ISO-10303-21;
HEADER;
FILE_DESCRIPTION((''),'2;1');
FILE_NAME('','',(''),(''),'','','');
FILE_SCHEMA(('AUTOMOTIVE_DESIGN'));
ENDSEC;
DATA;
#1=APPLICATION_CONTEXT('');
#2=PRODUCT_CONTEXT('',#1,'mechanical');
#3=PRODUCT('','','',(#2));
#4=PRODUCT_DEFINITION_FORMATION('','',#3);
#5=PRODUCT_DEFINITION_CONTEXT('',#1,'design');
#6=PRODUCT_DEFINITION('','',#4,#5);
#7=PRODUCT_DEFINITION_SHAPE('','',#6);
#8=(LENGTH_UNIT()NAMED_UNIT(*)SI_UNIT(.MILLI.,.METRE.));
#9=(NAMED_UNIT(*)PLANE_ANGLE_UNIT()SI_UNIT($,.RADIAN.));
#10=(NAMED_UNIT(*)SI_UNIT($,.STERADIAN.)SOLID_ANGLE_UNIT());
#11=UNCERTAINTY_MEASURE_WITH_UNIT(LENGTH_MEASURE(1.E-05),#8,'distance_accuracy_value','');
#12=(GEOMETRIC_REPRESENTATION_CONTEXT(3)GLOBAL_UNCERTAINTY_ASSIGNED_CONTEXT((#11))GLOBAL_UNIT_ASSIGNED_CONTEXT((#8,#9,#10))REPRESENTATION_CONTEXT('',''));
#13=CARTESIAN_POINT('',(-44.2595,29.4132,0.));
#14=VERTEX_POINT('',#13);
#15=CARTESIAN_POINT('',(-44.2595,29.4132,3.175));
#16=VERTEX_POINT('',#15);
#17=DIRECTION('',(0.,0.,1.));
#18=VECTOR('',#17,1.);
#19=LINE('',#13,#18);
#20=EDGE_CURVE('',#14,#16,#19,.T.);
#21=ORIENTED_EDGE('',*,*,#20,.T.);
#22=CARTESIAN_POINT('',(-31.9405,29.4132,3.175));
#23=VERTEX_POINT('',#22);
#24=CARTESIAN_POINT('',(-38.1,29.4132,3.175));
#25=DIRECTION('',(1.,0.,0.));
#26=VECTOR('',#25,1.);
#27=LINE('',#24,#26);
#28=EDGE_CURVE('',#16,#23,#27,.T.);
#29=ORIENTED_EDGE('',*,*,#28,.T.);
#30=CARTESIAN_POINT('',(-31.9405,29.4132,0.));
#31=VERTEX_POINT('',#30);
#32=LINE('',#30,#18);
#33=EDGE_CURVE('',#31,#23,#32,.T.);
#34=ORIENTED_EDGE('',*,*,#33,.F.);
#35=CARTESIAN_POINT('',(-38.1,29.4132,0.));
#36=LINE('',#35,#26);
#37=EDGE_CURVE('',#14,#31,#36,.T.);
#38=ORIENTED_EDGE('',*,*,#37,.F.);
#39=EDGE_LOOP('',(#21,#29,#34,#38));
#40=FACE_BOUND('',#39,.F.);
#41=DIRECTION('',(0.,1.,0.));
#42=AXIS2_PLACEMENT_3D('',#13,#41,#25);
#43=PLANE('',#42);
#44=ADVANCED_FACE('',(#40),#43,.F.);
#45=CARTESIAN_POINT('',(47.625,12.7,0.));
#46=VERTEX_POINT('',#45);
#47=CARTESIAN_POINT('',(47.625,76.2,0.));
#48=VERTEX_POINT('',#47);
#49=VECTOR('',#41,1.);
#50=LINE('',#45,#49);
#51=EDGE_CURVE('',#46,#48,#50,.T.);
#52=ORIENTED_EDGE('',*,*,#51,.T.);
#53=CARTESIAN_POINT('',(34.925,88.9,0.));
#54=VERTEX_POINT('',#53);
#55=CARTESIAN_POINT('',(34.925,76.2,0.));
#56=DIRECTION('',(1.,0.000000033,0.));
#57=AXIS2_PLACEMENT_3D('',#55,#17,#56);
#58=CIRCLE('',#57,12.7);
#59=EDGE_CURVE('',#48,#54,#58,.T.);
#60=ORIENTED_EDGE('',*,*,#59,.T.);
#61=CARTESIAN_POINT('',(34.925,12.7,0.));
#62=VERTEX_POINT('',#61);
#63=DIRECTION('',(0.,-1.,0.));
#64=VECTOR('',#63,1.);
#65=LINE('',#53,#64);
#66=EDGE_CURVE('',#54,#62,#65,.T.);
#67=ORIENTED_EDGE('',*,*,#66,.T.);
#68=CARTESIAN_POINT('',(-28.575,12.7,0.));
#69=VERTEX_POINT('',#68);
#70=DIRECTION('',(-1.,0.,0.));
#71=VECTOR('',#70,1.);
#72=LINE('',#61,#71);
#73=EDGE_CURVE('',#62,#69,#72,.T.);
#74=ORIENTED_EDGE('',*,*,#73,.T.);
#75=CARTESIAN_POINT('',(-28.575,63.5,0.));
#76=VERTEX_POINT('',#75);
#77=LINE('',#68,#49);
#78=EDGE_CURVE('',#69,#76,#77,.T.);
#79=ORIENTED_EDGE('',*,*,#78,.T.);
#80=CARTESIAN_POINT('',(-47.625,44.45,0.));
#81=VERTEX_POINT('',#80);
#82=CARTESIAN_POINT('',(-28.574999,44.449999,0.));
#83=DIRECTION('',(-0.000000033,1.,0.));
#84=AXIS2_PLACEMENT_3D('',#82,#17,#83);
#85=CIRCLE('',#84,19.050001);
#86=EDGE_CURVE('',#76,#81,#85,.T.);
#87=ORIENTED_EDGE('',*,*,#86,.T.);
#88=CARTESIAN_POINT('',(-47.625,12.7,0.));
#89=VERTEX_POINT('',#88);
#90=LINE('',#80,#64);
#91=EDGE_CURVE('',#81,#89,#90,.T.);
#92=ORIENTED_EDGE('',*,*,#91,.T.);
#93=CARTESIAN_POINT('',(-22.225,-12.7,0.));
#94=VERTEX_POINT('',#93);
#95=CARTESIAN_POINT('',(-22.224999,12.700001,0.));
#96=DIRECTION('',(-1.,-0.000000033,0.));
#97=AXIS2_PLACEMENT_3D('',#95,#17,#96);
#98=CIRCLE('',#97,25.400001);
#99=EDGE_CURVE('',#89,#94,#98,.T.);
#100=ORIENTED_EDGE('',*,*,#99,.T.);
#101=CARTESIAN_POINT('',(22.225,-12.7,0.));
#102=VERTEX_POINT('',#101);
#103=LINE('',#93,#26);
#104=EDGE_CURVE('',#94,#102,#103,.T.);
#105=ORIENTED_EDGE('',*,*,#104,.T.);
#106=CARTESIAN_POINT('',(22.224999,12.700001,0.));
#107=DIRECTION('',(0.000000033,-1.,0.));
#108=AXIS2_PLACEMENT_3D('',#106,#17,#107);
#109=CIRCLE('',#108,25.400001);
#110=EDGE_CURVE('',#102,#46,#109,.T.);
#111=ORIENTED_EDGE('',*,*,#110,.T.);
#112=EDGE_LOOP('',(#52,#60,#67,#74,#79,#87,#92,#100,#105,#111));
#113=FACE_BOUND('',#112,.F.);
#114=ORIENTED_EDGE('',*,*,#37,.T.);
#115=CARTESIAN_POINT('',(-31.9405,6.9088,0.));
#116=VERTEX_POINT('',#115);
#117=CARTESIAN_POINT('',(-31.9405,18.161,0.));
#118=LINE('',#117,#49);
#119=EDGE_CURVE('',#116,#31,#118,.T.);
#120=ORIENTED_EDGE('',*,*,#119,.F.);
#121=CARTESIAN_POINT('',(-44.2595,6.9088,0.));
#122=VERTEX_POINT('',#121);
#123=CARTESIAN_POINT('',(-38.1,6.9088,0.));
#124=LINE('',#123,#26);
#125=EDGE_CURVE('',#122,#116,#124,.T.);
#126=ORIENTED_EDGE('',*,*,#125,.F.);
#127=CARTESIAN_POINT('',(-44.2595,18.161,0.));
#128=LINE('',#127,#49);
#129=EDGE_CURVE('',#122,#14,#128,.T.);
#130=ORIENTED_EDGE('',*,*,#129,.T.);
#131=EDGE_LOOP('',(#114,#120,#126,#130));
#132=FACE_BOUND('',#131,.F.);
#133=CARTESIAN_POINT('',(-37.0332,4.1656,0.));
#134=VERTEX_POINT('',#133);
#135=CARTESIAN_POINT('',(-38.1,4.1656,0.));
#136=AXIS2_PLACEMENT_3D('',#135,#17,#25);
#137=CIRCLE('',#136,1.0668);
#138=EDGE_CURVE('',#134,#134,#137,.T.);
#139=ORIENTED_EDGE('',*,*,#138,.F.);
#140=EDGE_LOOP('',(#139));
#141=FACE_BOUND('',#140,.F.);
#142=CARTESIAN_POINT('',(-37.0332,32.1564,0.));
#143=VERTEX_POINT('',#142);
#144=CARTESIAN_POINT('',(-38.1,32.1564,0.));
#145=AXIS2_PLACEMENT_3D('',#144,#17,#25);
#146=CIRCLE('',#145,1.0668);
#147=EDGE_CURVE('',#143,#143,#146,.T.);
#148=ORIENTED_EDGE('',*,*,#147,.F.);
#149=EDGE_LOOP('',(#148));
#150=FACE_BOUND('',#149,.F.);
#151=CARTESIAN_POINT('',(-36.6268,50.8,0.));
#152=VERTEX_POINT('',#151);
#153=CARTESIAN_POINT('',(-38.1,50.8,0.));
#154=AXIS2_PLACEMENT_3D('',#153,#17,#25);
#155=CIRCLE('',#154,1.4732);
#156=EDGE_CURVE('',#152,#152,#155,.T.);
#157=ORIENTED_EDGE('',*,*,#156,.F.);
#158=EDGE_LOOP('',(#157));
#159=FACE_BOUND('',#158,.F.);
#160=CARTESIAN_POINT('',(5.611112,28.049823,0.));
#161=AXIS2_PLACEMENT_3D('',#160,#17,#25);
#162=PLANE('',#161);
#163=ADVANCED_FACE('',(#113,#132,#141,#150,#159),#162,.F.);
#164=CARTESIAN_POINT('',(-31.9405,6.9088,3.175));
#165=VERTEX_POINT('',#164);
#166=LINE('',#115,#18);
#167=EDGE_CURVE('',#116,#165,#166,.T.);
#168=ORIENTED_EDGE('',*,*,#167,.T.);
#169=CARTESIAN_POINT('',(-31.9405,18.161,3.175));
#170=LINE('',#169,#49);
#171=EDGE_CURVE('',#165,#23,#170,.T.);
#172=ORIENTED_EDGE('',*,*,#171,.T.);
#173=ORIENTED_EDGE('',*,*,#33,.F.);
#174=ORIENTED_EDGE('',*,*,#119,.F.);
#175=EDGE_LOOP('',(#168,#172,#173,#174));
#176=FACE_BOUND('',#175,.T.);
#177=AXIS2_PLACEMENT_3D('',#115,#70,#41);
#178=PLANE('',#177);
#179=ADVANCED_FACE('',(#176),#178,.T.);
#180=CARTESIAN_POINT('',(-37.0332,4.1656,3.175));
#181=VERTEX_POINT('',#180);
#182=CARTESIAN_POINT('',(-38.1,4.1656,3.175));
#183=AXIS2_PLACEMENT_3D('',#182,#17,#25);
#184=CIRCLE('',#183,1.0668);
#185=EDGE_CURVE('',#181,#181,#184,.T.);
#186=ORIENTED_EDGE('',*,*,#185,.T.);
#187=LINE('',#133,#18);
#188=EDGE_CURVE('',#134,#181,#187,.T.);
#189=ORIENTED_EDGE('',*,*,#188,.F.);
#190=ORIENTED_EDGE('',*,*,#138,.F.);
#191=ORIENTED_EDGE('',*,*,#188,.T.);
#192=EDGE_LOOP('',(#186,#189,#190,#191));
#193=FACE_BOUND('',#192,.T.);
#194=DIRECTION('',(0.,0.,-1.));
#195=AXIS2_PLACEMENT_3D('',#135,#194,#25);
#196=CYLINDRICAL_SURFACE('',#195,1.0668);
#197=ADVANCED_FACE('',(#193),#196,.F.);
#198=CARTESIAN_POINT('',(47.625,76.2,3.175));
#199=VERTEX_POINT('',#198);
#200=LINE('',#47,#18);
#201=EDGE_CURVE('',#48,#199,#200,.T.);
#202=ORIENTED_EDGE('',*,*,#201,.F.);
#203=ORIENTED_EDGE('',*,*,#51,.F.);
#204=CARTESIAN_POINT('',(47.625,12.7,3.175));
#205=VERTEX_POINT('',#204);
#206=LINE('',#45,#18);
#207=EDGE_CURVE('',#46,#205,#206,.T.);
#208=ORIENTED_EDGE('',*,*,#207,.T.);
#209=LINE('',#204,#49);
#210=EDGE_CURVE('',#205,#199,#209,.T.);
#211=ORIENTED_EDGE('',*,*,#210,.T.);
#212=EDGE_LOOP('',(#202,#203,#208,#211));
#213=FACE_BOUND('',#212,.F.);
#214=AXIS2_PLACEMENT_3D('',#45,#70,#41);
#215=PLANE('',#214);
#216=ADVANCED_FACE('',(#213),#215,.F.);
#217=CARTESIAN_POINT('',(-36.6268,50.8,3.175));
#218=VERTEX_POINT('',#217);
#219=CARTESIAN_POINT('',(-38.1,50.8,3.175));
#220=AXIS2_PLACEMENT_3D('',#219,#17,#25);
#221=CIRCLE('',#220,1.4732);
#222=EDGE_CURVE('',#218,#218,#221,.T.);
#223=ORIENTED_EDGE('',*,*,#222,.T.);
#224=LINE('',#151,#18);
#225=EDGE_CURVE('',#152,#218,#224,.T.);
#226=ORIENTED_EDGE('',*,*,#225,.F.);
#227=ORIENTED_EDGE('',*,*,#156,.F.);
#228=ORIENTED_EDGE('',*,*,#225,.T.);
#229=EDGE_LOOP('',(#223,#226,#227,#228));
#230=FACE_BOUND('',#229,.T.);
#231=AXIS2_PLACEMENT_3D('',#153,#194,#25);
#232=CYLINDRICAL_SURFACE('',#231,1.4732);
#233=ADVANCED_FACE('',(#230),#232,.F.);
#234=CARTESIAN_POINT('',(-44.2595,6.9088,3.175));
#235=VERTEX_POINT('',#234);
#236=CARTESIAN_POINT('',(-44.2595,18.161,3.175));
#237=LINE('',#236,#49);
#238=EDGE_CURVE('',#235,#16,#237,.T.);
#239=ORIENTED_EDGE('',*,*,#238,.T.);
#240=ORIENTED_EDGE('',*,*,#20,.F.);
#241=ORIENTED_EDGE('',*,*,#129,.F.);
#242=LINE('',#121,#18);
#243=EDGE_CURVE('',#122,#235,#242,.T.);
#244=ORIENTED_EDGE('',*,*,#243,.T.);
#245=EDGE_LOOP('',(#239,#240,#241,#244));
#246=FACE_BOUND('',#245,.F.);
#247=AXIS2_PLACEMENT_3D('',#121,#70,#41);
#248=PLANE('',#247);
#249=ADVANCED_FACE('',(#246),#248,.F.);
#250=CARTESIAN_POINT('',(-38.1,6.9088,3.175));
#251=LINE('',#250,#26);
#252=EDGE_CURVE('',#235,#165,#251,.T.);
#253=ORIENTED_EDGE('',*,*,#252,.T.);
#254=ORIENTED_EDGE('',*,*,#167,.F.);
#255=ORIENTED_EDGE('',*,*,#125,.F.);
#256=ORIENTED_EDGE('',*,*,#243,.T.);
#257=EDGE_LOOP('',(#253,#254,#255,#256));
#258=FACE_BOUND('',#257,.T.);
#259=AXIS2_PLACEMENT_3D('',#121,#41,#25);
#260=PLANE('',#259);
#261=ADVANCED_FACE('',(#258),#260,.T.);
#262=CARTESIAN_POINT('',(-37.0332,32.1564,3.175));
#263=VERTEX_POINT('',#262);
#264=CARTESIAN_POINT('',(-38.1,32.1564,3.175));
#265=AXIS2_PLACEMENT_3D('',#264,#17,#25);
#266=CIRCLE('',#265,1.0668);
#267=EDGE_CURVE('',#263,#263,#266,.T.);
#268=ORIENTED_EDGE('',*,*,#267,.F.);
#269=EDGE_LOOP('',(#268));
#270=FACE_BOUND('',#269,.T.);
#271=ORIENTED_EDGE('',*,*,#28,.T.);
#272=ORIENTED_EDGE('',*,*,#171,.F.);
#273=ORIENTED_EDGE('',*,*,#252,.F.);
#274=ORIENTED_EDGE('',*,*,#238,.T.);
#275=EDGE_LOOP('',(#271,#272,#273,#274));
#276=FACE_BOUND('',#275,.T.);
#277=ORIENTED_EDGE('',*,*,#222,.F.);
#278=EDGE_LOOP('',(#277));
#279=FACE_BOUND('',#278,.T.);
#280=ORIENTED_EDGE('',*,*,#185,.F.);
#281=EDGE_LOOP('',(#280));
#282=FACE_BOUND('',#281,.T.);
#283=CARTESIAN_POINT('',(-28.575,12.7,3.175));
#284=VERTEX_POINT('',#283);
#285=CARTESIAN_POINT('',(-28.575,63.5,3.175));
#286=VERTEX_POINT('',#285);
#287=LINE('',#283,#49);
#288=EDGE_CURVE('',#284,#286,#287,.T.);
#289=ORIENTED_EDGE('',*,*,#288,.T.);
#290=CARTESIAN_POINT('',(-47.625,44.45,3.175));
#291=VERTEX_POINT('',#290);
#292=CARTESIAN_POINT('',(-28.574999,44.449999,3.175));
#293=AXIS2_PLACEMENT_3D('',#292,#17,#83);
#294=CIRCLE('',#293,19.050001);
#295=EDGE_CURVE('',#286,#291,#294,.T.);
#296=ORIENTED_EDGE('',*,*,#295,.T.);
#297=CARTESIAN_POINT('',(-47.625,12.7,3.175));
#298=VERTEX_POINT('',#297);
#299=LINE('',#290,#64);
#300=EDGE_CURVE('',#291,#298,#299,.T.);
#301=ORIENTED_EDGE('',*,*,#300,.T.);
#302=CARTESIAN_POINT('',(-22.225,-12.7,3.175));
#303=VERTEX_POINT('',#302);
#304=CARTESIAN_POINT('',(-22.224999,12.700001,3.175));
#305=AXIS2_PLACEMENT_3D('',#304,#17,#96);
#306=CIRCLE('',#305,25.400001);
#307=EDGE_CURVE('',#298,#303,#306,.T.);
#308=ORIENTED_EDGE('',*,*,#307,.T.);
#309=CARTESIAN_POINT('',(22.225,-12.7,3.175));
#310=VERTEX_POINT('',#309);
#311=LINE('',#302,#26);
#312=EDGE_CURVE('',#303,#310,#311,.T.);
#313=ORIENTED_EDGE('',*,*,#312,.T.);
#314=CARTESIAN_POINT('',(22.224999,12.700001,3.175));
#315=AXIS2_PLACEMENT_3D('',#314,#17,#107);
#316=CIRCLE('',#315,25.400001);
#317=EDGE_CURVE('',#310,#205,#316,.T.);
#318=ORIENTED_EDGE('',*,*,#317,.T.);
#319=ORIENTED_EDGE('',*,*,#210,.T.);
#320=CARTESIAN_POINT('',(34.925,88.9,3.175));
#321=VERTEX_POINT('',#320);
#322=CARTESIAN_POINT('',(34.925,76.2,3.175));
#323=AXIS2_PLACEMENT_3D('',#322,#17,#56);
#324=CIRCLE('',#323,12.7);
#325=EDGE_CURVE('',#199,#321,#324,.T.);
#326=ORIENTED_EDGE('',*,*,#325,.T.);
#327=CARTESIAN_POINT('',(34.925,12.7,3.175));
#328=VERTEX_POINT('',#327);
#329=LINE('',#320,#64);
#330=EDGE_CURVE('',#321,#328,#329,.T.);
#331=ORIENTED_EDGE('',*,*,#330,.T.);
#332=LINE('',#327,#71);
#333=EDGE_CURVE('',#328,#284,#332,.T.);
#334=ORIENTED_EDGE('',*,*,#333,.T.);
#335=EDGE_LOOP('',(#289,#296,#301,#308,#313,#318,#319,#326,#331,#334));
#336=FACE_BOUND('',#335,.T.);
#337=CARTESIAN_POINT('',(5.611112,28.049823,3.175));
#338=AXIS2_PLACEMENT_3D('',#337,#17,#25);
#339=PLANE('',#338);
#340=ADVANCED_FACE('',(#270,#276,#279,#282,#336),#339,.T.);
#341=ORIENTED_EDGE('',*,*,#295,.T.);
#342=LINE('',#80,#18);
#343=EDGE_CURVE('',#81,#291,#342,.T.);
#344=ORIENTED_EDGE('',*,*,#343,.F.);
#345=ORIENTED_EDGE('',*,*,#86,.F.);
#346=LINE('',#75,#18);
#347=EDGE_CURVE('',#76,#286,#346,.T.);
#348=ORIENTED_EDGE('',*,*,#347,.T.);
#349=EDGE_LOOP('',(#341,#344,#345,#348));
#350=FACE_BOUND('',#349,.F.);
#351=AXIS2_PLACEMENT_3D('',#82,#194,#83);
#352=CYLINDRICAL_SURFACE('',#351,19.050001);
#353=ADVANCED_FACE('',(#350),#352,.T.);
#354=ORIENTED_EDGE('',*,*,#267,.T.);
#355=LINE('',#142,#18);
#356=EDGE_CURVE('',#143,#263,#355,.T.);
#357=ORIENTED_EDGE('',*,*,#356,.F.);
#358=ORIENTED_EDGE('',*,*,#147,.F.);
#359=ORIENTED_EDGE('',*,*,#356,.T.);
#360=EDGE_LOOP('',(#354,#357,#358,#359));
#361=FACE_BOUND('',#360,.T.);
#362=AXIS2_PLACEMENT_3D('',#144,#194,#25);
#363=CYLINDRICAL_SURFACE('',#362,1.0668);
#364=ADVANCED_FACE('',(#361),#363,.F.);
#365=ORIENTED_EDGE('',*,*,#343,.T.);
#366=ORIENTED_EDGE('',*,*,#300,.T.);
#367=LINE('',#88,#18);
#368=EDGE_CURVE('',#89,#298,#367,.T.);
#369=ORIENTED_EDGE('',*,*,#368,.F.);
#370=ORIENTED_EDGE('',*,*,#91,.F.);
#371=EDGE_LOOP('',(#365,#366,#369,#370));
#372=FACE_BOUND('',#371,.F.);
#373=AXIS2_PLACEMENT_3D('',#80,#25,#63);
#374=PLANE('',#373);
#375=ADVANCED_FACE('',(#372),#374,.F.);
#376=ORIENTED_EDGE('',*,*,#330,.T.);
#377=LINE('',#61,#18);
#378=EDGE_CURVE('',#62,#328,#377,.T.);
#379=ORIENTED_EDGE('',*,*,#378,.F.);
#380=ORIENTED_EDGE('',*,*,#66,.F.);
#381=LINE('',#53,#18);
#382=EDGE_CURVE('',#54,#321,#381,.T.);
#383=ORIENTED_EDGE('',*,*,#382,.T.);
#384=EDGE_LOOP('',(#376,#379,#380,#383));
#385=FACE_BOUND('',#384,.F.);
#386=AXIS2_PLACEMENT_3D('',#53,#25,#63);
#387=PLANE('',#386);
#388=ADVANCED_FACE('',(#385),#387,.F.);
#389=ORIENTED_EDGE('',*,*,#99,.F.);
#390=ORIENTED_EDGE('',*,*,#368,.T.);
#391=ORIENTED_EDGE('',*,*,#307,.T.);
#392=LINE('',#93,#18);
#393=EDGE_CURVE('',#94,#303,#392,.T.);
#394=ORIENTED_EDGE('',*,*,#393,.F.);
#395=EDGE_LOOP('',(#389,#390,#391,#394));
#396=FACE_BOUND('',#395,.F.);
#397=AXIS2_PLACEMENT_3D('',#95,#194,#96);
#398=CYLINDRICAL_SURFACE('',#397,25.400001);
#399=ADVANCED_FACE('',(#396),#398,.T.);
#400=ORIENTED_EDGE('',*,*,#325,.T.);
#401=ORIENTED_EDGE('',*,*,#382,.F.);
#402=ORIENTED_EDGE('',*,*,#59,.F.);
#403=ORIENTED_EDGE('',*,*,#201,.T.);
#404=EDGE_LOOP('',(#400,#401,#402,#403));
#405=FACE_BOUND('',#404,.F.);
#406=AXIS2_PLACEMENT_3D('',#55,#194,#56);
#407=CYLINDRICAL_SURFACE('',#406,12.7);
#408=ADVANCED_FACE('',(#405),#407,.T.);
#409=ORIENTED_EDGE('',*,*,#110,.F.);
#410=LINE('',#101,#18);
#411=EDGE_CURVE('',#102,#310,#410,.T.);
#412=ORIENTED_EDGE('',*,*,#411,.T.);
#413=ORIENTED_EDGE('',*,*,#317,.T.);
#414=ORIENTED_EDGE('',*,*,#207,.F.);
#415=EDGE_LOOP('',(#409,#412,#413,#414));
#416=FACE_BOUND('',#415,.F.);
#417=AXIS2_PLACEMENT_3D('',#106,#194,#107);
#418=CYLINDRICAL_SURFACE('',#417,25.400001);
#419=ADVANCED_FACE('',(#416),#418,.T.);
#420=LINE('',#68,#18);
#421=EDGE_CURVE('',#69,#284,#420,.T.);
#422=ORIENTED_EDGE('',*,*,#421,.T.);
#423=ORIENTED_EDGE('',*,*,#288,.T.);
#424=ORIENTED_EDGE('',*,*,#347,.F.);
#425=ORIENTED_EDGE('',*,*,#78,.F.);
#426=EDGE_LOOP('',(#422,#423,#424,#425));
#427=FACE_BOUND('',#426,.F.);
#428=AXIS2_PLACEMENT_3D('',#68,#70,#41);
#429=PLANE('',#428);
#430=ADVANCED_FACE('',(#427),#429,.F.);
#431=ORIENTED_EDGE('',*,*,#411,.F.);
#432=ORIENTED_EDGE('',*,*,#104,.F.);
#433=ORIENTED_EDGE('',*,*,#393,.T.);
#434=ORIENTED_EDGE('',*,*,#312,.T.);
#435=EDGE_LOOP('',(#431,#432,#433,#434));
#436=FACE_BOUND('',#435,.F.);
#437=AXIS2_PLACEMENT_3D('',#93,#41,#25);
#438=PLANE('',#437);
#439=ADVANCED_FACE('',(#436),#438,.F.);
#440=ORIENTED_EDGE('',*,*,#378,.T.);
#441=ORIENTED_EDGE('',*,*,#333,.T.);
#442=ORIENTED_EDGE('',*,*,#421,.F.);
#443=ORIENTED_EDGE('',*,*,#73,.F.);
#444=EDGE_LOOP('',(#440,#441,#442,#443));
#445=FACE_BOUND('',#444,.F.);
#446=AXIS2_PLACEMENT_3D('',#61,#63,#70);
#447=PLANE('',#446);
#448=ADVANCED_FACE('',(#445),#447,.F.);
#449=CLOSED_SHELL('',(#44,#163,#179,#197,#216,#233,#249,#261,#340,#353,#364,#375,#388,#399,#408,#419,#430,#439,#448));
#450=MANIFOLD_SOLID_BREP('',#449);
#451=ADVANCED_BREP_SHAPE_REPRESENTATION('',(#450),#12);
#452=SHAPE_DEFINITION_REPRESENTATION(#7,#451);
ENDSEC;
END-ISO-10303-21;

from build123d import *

# Parameters (mm, degrees)
F0_R     = 1.0668
F0_W     = 12.319
F0_H     = 22.5044
F0_R_2   = 1.4732
F1_DEPTH = 3.175


with BuildPart() as f1:
    # F0 (on Top) → F1 (new body)
    with BuildSketch(Plane.XY):
        with BuildLine():
            Line((34.925, 82.804), (34.925, 12.7))
            Line((34.925, 12.7), (-28.575, 12.7))
            Line((-28.575, 12.7), (-28.575, 63.5))
            ThreePointArc((-28.575, 63.5), (-42.045384, 57.920384), (-47.625, 44.45))
            Line((-47.625, 44.45), (-47.625, 12.7))
            ThreePointArc((-47.625, 12.7), (-40.185512, -5.260512), (-22.225, -12.7))
            Line((-22.225, -12.7), (22.225, -12.7))
            ThreePointArc((22.225, -12.7), (40.185512, -5.260512), (47.625, 12.7))
            Line((47.625, 12.7), (47.625, 76.2))
            ThreePointArc((47.625, 76.2), (43.905256, 85.180256), (34.925, 88.9))
            Line((34.925, 88.9), (34.925, 82.804))
        make_face()
        with Locations((-38.1, 4.1656)):
            Circle(F0_R, mode=Mode.SUBTRACT)
        with Locations((-38.1, 18.161)):
            Rectangle(F0_W, F0_H, mode=Mode.SUBTRACT)
        with Locations((-38.1, 32.1564)):
            Circle(F0_R, mode=Mode.SUBTRACT)
        with Locations((-38.1, 50.8)):
            Circle(F0_R_2, mode=Mode.SUBTRACT)
    extrude(amount=F1_DEPTH)


solid = f1.part
